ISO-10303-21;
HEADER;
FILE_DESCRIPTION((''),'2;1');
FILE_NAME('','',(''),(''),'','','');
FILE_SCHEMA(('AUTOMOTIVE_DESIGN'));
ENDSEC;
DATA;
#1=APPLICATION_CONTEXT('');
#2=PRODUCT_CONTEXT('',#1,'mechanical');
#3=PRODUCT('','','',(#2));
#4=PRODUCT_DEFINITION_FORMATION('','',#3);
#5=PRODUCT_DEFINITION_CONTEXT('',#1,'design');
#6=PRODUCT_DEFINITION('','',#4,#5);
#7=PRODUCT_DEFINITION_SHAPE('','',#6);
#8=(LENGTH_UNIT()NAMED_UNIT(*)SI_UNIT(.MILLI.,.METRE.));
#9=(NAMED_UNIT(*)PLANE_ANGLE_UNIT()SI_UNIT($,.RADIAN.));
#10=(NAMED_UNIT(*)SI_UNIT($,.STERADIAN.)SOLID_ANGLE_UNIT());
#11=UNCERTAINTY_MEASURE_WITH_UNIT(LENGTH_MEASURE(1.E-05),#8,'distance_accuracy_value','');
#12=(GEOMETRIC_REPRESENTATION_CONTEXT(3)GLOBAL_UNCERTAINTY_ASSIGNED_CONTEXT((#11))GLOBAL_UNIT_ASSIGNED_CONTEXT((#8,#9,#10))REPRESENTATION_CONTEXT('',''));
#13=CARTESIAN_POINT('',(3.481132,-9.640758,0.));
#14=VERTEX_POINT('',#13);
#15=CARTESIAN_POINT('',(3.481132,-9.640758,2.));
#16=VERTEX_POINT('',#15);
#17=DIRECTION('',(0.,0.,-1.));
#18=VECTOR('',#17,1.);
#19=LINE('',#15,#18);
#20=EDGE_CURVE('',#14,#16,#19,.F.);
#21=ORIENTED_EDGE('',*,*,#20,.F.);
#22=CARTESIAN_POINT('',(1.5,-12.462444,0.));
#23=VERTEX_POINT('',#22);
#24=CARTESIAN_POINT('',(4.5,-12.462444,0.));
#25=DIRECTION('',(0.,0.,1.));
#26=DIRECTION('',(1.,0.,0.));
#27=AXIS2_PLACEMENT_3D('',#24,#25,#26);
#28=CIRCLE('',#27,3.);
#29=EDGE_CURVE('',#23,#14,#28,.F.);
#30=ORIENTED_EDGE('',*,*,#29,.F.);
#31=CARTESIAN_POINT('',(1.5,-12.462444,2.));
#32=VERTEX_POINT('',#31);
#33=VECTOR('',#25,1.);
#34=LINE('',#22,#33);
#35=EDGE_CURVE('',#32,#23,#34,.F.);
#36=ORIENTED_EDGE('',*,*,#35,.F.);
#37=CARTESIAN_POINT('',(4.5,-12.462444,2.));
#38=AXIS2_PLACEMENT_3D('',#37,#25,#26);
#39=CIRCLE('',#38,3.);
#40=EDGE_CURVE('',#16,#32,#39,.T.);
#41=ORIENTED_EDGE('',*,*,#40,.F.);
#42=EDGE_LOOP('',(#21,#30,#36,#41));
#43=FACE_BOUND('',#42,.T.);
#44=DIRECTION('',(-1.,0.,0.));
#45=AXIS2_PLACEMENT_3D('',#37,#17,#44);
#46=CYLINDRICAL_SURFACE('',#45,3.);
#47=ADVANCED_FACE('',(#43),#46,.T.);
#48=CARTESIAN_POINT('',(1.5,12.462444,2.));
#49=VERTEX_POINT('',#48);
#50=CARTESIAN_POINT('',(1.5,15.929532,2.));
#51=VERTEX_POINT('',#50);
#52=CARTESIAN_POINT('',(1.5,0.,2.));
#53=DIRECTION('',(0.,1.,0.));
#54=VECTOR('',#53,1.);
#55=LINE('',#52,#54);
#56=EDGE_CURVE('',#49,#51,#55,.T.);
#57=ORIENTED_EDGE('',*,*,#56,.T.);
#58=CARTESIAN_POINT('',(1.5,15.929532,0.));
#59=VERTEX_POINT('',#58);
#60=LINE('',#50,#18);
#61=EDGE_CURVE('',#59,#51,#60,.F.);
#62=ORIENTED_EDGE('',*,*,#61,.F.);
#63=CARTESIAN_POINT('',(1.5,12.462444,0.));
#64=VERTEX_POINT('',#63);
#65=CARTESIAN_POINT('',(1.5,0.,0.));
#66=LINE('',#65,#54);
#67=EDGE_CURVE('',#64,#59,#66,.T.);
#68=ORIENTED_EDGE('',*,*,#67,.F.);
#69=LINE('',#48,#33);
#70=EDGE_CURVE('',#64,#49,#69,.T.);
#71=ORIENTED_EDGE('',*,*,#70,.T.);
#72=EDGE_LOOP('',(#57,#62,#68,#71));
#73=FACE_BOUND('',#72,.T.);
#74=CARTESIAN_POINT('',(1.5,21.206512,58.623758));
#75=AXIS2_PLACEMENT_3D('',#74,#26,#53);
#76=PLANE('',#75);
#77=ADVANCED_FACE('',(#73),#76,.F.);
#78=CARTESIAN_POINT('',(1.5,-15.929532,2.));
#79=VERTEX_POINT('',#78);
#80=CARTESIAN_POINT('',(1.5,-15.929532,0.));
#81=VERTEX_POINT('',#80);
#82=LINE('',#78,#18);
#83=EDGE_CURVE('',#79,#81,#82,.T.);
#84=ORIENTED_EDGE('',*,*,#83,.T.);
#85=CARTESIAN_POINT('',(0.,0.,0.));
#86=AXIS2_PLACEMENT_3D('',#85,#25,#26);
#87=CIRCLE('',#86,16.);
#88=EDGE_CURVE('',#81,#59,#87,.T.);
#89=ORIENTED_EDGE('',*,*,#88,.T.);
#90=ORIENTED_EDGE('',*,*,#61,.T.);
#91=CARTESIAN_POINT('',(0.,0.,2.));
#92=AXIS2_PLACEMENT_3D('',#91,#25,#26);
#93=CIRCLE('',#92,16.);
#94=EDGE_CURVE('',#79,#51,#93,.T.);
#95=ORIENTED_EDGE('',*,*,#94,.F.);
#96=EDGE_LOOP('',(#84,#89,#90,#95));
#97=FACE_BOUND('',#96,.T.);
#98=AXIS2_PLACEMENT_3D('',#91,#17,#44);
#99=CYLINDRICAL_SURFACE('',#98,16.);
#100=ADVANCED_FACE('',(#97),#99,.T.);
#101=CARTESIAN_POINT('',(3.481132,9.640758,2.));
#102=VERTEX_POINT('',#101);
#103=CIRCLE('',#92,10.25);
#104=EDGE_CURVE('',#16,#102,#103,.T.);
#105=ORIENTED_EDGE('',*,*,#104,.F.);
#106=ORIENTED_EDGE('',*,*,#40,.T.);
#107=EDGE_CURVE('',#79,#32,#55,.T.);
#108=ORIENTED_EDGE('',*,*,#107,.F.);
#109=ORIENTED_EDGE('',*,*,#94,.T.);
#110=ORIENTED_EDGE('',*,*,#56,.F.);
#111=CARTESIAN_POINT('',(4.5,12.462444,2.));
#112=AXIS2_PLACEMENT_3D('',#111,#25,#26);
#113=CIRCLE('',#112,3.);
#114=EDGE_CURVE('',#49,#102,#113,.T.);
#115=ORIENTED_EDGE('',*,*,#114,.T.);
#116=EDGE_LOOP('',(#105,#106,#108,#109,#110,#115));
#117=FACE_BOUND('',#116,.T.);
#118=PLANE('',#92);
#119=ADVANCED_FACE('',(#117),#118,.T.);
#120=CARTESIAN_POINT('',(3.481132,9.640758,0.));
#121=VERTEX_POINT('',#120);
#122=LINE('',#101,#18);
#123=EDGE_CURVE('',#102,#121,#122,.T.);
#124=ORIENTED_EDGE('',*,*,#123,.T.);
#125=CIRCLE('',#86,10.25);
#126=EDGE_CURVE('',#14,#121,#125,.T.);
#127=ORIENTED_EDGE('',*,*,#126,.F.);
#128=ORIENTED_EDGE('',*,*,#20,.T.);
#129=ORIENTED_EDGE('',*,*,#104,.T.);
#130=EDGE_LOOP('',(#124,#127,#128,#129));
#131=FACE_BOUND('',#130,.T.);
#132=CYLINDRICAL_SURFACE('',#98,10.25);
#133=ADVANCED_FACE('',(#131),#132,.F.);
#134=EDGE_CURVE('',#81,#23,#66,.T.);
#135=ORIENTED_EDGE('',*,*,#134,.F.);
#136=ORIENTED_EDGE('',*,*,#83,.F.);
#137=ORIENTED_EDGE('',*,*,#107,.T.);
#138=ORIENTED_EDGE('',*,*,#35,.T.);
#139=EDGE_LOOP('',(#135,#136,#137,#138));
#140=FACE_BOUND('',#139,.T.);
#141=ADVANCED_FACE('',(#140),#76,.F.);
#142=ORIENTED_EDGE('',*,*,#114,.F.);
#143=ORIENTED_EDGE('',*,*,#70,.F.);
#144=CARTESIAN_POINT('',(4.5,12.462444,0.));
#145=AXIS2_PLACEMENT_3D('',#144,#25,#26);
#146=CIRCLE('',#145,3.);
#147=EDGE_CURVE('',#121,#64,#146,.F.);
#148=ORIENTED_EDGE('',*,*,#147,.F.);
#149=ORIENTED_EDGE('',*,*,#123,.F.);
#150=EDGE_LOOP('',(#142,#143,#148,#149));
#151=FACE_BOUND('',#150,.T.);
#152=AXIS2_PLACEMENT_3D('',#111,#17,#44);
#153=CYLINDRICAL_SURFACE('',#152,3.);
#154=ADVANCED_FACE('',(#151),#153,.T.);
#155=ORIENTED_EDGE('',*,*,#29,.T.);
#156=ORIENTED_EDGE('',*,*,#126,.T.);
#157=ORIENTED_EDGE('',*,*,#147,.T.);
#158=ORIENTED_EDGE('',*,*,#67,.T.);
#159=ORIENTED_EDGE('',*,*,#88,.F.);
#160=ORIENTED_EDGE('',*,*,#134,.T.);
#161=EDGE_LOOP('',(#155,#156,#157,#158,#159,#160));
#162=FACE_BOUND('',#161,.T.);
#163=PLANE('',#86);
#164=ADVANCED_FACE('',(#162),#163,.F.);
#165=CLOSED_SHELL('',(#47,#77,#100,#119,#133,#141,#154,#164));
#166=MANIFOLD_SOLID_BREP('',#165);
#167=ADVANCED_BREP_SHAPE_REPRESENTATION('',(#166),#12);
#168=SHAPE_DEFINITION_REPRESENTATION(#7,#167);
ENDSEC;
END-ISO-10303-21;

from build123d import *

# Parameters (mm, degrees)
SKETCH_1_R               = 16
SKETCH_1_R_2             = 10.25
EXTRUDE_1_DEPTH          = 2
CUT_EXTRUDE_1_DEPTH      = 23.715633383
CUT_EXTRUDE_1_DEPTH_BACK = 23.715633383
FILLET_1_R               = 3


with BuildPart() as part:
    # 草图1 → 凸台-拉伸1 (new body)
    with BuildSketch(Plane.XY):
        Circle(SKETCH_1_R)
        Circle(SKETCH_1_R_2, mode=Mode.SUBTRACT)
    extrude(amount=EXTRUDE_1_DEPTH)

    # 草图2 → 切除-拉伸1 (cut, two sides: drawn at the far end of the back side and taken through both)
    with BuildSketch(Plane.XY.offset(2).offset(-CUT_EXTRUDE_1_DEPTH_BACK)):
        Polygon((1.5, 125.288041533), (1.5, 21.206511883), (1.5, -27.664442689), (1.5, -131.74597234), (-206.663059302, -131.74597234), (-206.663059302, 125.288041533), align=None)
    extrude(amount=CUT_EXTRUDE_1_DEPTH + CUT_EXTRUDE_1_DEPTH_BACK, mode=Mode.SUBTRACT)

    # 圆角1
    fillet_1_edges = [part.edges().sort_by_distance(p)[0] for p in [
        (1.5, 10.139649895, 1),
        (1.5, -10.139649895, 1),
    ]]
    fillet(fillet_1_edges, radius=FILLET_1_R)


solid = part.part
